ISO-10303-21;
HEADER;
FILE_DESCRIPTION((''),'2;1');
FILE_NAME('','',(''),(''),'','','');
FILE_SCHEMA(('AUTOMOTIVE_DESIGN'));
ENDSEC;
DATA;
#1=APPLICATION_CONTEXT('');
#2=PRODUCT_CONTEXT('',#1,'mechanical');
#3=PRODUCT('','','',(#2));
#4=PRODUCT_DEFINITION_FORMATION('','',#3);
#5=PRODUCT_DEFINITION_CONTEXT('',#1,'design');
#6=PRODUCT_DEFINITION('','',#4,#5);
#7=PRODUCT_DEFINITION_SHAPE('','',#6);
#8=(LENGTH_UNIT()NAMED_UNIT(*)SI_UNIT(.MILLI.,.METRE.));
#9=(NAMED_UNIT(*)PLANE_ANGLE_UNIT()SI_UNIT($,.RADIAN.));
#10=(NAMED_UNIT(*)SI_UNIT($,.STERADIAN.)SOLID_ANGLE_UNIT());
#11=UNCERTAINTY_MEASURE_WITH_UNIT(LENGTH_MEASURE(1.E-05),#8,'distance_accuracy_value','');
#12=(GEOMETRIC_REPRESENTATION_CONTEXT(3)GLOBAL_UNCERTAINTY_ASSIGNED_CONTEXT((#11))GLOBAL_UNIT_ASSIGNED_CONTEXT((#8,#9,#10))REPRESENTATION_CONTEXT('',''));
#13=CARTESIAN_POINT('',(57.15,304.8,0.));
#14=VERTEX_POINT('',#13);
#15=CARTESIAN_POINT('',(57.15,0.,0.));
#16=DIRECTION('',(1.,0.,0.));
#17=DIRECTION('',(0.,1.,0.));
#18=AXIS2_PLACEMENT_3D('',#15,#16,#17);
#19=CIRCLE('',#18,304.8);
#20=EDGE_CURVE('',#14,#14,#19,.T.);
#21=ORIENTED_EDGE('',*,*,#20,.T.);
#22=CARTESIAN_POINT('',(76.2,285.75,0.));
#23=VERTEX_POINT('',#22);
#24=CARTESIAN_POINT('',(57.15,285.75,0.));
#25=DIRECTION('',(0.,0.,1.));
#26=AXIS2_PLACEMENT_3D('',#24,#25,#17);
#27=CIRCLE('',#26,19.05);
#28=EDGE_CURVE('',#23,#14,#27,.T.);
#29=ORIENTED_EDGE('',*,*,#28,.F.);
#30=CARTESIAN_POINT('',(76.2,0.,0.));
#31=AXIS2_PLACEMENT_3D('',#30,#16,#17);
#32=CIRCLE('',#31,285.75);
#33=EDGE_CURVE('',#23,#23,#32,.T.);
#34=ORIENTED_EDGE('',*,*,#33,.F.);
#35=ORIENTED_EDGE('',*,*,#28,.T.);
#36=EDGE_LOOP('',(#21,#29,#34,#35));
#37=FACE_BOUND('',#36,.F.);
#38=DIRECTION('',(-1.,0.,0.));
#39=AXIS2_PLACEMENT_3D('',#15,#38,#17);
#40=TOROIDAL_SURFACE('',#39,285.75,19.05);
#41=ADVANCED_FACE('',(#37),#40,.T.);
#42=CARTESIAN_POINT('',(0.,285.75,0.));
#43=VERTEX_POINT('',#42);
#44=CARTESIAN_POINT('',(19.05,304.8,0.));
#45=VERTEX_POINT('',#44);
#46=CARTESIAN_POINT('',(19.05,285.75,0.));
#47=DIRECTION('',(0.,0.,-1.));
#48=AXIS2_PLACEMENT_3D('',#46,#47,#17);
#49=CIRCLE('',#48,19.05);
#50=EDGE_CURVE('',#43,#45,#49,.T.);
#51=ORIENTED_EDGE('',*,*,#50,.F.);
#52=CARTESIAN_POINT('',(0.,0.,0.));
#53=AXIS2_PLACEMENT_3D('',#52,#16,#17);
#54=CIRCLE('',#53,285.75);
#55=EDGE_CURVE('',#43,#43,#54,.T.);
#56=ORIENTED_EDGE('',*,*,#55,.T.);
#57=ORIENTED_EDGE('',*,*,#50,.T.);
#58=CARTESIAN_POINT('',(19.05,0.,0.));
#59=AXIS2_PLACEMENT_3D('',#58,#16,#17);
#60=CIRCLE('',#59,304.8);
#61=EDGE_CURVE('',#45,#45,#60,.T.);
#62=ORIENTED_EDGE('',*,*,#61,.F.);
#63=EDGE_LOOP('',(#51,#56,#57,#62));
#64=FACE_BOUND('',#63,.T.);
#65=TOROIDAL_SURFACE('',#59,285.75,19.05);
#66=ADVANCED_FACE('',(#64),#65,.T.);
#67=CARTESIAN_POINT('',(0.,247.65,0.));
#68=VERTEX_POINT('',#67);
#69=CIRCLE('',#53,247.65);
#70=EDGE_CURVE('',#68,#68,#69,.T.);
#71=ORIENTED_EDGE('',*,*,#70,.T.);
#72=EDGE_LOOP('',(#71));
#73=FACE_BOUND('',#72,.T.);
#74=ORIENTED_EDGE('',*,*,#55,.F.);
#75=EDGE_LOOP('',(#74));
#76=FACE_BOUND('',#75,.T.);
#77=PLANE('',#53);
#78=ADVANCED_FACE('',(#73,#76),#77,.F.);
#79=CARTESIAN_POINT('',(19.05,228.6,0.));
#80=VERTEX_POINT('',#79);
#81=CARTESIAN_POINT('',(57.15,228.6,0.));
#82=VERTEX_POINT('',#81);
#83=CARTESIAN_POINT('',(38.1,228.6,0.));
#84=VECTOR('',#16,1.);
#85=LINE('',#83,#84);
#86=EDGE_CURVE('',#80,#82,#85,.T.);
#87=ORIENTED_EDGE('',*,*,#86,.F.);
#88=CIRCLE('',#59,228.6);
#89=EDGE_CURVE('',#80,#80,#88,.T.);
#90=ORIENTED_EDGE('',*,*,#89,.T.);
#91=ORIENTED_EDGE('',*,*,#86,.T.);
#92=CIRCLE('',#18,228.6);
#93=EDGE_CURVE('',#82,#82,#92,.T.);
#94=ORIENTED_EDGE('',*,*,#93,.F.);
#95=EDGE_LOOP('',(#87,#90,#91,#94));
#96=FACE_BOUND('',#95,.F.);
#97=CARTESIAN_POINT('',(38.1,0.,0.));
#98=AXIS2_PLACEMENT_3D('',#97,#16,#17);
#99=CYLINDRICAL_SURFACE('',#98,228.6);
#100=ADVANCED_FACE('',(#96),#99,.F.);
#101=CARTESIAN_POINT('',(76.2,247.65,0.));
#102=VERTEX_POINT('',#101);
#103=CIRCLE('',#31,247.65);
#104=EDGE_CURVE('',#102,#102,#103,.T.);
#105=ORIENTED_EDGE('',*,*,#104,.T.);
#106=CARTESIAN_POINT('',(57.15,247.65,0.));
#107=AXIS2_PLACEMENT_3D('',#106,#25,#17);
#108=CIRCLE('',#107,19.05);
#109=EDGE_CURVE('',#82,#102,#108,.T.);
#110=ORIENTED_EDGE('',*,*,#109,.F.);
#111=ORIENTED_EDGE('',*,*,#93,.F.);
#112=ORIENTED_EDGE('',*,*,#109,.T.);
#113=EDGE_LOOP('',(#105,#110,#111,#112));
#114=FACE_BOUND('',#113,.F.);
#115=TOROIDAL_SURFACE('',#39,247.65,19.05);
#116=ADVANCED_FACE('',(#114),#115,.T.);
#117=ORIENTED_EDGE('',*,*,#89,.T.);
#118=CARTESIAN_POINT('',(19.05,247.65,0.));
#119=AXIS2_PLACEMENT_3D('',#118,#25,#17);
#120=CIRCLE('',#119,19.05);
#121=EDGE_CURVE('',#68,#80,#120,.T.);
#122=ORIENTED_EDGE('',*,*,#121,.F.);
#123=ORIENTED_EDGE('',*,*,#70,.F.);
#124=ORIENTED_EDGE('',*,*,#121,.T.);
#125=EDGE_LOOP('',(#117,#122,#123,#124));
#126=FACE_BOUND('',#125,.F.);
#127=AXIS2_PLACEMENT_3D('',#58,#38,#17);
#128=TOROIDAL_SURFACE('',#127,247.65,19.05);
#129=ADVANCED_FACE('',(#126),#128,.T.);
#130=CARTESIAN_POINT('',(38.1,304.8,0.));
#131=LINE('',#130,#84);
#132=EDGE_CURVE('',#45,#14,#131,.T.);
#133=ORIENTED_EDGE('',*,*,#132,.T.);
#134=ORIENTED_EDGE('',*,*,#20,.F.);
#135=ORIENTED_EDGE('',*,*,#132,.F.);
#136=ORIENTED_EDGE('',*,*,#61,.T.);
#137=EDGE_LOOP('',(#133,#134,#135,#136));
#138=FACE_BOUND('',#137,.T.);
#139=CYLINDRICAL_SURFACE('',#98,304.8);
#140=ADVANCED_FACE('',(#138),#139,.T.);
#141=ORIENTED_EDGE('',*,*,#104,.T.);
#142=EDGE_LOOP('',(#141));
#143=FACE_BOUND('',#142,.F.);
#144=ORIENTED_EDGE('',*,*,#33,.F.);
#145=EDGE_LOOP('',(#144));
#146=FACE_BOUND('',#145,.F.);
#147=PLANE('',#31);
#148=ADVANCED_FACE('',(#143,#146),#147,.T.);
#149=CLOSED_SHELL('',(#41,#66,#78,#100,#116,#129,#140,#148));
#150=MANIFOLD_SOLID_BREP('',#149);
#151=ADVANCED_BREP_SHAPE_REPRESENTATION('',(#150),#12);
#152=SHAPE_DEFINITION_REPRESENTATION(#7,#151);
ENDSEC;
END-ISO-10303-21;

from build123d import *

# Parameters (mm, degrees)
F0_W = 76.2
F0_H = 76.2
F2_R = 19.05


with BuildPart() as f1:
    # F0 (on Top) → F1 (revolve)
    with BuildSketch(Plane.XY):
        with Locations((38.1, 266.7)):
            Rectangle(F0_W, F0_H)
    revolve(axis=Axis((37.5285, 0, 0), (1, 0, 0)))

    # F2
    f2_edges = [f1.edges().sort_by_distance(p)[0] for p in [
        (76.2, -228.6, 0),
        (76.2, -304.8, 0),
        (0, -304.8, 0),
        (0, -228.6, 0),
    ]]
    fillet(f2_edges, radius=F2_R)


solid = f1.part
